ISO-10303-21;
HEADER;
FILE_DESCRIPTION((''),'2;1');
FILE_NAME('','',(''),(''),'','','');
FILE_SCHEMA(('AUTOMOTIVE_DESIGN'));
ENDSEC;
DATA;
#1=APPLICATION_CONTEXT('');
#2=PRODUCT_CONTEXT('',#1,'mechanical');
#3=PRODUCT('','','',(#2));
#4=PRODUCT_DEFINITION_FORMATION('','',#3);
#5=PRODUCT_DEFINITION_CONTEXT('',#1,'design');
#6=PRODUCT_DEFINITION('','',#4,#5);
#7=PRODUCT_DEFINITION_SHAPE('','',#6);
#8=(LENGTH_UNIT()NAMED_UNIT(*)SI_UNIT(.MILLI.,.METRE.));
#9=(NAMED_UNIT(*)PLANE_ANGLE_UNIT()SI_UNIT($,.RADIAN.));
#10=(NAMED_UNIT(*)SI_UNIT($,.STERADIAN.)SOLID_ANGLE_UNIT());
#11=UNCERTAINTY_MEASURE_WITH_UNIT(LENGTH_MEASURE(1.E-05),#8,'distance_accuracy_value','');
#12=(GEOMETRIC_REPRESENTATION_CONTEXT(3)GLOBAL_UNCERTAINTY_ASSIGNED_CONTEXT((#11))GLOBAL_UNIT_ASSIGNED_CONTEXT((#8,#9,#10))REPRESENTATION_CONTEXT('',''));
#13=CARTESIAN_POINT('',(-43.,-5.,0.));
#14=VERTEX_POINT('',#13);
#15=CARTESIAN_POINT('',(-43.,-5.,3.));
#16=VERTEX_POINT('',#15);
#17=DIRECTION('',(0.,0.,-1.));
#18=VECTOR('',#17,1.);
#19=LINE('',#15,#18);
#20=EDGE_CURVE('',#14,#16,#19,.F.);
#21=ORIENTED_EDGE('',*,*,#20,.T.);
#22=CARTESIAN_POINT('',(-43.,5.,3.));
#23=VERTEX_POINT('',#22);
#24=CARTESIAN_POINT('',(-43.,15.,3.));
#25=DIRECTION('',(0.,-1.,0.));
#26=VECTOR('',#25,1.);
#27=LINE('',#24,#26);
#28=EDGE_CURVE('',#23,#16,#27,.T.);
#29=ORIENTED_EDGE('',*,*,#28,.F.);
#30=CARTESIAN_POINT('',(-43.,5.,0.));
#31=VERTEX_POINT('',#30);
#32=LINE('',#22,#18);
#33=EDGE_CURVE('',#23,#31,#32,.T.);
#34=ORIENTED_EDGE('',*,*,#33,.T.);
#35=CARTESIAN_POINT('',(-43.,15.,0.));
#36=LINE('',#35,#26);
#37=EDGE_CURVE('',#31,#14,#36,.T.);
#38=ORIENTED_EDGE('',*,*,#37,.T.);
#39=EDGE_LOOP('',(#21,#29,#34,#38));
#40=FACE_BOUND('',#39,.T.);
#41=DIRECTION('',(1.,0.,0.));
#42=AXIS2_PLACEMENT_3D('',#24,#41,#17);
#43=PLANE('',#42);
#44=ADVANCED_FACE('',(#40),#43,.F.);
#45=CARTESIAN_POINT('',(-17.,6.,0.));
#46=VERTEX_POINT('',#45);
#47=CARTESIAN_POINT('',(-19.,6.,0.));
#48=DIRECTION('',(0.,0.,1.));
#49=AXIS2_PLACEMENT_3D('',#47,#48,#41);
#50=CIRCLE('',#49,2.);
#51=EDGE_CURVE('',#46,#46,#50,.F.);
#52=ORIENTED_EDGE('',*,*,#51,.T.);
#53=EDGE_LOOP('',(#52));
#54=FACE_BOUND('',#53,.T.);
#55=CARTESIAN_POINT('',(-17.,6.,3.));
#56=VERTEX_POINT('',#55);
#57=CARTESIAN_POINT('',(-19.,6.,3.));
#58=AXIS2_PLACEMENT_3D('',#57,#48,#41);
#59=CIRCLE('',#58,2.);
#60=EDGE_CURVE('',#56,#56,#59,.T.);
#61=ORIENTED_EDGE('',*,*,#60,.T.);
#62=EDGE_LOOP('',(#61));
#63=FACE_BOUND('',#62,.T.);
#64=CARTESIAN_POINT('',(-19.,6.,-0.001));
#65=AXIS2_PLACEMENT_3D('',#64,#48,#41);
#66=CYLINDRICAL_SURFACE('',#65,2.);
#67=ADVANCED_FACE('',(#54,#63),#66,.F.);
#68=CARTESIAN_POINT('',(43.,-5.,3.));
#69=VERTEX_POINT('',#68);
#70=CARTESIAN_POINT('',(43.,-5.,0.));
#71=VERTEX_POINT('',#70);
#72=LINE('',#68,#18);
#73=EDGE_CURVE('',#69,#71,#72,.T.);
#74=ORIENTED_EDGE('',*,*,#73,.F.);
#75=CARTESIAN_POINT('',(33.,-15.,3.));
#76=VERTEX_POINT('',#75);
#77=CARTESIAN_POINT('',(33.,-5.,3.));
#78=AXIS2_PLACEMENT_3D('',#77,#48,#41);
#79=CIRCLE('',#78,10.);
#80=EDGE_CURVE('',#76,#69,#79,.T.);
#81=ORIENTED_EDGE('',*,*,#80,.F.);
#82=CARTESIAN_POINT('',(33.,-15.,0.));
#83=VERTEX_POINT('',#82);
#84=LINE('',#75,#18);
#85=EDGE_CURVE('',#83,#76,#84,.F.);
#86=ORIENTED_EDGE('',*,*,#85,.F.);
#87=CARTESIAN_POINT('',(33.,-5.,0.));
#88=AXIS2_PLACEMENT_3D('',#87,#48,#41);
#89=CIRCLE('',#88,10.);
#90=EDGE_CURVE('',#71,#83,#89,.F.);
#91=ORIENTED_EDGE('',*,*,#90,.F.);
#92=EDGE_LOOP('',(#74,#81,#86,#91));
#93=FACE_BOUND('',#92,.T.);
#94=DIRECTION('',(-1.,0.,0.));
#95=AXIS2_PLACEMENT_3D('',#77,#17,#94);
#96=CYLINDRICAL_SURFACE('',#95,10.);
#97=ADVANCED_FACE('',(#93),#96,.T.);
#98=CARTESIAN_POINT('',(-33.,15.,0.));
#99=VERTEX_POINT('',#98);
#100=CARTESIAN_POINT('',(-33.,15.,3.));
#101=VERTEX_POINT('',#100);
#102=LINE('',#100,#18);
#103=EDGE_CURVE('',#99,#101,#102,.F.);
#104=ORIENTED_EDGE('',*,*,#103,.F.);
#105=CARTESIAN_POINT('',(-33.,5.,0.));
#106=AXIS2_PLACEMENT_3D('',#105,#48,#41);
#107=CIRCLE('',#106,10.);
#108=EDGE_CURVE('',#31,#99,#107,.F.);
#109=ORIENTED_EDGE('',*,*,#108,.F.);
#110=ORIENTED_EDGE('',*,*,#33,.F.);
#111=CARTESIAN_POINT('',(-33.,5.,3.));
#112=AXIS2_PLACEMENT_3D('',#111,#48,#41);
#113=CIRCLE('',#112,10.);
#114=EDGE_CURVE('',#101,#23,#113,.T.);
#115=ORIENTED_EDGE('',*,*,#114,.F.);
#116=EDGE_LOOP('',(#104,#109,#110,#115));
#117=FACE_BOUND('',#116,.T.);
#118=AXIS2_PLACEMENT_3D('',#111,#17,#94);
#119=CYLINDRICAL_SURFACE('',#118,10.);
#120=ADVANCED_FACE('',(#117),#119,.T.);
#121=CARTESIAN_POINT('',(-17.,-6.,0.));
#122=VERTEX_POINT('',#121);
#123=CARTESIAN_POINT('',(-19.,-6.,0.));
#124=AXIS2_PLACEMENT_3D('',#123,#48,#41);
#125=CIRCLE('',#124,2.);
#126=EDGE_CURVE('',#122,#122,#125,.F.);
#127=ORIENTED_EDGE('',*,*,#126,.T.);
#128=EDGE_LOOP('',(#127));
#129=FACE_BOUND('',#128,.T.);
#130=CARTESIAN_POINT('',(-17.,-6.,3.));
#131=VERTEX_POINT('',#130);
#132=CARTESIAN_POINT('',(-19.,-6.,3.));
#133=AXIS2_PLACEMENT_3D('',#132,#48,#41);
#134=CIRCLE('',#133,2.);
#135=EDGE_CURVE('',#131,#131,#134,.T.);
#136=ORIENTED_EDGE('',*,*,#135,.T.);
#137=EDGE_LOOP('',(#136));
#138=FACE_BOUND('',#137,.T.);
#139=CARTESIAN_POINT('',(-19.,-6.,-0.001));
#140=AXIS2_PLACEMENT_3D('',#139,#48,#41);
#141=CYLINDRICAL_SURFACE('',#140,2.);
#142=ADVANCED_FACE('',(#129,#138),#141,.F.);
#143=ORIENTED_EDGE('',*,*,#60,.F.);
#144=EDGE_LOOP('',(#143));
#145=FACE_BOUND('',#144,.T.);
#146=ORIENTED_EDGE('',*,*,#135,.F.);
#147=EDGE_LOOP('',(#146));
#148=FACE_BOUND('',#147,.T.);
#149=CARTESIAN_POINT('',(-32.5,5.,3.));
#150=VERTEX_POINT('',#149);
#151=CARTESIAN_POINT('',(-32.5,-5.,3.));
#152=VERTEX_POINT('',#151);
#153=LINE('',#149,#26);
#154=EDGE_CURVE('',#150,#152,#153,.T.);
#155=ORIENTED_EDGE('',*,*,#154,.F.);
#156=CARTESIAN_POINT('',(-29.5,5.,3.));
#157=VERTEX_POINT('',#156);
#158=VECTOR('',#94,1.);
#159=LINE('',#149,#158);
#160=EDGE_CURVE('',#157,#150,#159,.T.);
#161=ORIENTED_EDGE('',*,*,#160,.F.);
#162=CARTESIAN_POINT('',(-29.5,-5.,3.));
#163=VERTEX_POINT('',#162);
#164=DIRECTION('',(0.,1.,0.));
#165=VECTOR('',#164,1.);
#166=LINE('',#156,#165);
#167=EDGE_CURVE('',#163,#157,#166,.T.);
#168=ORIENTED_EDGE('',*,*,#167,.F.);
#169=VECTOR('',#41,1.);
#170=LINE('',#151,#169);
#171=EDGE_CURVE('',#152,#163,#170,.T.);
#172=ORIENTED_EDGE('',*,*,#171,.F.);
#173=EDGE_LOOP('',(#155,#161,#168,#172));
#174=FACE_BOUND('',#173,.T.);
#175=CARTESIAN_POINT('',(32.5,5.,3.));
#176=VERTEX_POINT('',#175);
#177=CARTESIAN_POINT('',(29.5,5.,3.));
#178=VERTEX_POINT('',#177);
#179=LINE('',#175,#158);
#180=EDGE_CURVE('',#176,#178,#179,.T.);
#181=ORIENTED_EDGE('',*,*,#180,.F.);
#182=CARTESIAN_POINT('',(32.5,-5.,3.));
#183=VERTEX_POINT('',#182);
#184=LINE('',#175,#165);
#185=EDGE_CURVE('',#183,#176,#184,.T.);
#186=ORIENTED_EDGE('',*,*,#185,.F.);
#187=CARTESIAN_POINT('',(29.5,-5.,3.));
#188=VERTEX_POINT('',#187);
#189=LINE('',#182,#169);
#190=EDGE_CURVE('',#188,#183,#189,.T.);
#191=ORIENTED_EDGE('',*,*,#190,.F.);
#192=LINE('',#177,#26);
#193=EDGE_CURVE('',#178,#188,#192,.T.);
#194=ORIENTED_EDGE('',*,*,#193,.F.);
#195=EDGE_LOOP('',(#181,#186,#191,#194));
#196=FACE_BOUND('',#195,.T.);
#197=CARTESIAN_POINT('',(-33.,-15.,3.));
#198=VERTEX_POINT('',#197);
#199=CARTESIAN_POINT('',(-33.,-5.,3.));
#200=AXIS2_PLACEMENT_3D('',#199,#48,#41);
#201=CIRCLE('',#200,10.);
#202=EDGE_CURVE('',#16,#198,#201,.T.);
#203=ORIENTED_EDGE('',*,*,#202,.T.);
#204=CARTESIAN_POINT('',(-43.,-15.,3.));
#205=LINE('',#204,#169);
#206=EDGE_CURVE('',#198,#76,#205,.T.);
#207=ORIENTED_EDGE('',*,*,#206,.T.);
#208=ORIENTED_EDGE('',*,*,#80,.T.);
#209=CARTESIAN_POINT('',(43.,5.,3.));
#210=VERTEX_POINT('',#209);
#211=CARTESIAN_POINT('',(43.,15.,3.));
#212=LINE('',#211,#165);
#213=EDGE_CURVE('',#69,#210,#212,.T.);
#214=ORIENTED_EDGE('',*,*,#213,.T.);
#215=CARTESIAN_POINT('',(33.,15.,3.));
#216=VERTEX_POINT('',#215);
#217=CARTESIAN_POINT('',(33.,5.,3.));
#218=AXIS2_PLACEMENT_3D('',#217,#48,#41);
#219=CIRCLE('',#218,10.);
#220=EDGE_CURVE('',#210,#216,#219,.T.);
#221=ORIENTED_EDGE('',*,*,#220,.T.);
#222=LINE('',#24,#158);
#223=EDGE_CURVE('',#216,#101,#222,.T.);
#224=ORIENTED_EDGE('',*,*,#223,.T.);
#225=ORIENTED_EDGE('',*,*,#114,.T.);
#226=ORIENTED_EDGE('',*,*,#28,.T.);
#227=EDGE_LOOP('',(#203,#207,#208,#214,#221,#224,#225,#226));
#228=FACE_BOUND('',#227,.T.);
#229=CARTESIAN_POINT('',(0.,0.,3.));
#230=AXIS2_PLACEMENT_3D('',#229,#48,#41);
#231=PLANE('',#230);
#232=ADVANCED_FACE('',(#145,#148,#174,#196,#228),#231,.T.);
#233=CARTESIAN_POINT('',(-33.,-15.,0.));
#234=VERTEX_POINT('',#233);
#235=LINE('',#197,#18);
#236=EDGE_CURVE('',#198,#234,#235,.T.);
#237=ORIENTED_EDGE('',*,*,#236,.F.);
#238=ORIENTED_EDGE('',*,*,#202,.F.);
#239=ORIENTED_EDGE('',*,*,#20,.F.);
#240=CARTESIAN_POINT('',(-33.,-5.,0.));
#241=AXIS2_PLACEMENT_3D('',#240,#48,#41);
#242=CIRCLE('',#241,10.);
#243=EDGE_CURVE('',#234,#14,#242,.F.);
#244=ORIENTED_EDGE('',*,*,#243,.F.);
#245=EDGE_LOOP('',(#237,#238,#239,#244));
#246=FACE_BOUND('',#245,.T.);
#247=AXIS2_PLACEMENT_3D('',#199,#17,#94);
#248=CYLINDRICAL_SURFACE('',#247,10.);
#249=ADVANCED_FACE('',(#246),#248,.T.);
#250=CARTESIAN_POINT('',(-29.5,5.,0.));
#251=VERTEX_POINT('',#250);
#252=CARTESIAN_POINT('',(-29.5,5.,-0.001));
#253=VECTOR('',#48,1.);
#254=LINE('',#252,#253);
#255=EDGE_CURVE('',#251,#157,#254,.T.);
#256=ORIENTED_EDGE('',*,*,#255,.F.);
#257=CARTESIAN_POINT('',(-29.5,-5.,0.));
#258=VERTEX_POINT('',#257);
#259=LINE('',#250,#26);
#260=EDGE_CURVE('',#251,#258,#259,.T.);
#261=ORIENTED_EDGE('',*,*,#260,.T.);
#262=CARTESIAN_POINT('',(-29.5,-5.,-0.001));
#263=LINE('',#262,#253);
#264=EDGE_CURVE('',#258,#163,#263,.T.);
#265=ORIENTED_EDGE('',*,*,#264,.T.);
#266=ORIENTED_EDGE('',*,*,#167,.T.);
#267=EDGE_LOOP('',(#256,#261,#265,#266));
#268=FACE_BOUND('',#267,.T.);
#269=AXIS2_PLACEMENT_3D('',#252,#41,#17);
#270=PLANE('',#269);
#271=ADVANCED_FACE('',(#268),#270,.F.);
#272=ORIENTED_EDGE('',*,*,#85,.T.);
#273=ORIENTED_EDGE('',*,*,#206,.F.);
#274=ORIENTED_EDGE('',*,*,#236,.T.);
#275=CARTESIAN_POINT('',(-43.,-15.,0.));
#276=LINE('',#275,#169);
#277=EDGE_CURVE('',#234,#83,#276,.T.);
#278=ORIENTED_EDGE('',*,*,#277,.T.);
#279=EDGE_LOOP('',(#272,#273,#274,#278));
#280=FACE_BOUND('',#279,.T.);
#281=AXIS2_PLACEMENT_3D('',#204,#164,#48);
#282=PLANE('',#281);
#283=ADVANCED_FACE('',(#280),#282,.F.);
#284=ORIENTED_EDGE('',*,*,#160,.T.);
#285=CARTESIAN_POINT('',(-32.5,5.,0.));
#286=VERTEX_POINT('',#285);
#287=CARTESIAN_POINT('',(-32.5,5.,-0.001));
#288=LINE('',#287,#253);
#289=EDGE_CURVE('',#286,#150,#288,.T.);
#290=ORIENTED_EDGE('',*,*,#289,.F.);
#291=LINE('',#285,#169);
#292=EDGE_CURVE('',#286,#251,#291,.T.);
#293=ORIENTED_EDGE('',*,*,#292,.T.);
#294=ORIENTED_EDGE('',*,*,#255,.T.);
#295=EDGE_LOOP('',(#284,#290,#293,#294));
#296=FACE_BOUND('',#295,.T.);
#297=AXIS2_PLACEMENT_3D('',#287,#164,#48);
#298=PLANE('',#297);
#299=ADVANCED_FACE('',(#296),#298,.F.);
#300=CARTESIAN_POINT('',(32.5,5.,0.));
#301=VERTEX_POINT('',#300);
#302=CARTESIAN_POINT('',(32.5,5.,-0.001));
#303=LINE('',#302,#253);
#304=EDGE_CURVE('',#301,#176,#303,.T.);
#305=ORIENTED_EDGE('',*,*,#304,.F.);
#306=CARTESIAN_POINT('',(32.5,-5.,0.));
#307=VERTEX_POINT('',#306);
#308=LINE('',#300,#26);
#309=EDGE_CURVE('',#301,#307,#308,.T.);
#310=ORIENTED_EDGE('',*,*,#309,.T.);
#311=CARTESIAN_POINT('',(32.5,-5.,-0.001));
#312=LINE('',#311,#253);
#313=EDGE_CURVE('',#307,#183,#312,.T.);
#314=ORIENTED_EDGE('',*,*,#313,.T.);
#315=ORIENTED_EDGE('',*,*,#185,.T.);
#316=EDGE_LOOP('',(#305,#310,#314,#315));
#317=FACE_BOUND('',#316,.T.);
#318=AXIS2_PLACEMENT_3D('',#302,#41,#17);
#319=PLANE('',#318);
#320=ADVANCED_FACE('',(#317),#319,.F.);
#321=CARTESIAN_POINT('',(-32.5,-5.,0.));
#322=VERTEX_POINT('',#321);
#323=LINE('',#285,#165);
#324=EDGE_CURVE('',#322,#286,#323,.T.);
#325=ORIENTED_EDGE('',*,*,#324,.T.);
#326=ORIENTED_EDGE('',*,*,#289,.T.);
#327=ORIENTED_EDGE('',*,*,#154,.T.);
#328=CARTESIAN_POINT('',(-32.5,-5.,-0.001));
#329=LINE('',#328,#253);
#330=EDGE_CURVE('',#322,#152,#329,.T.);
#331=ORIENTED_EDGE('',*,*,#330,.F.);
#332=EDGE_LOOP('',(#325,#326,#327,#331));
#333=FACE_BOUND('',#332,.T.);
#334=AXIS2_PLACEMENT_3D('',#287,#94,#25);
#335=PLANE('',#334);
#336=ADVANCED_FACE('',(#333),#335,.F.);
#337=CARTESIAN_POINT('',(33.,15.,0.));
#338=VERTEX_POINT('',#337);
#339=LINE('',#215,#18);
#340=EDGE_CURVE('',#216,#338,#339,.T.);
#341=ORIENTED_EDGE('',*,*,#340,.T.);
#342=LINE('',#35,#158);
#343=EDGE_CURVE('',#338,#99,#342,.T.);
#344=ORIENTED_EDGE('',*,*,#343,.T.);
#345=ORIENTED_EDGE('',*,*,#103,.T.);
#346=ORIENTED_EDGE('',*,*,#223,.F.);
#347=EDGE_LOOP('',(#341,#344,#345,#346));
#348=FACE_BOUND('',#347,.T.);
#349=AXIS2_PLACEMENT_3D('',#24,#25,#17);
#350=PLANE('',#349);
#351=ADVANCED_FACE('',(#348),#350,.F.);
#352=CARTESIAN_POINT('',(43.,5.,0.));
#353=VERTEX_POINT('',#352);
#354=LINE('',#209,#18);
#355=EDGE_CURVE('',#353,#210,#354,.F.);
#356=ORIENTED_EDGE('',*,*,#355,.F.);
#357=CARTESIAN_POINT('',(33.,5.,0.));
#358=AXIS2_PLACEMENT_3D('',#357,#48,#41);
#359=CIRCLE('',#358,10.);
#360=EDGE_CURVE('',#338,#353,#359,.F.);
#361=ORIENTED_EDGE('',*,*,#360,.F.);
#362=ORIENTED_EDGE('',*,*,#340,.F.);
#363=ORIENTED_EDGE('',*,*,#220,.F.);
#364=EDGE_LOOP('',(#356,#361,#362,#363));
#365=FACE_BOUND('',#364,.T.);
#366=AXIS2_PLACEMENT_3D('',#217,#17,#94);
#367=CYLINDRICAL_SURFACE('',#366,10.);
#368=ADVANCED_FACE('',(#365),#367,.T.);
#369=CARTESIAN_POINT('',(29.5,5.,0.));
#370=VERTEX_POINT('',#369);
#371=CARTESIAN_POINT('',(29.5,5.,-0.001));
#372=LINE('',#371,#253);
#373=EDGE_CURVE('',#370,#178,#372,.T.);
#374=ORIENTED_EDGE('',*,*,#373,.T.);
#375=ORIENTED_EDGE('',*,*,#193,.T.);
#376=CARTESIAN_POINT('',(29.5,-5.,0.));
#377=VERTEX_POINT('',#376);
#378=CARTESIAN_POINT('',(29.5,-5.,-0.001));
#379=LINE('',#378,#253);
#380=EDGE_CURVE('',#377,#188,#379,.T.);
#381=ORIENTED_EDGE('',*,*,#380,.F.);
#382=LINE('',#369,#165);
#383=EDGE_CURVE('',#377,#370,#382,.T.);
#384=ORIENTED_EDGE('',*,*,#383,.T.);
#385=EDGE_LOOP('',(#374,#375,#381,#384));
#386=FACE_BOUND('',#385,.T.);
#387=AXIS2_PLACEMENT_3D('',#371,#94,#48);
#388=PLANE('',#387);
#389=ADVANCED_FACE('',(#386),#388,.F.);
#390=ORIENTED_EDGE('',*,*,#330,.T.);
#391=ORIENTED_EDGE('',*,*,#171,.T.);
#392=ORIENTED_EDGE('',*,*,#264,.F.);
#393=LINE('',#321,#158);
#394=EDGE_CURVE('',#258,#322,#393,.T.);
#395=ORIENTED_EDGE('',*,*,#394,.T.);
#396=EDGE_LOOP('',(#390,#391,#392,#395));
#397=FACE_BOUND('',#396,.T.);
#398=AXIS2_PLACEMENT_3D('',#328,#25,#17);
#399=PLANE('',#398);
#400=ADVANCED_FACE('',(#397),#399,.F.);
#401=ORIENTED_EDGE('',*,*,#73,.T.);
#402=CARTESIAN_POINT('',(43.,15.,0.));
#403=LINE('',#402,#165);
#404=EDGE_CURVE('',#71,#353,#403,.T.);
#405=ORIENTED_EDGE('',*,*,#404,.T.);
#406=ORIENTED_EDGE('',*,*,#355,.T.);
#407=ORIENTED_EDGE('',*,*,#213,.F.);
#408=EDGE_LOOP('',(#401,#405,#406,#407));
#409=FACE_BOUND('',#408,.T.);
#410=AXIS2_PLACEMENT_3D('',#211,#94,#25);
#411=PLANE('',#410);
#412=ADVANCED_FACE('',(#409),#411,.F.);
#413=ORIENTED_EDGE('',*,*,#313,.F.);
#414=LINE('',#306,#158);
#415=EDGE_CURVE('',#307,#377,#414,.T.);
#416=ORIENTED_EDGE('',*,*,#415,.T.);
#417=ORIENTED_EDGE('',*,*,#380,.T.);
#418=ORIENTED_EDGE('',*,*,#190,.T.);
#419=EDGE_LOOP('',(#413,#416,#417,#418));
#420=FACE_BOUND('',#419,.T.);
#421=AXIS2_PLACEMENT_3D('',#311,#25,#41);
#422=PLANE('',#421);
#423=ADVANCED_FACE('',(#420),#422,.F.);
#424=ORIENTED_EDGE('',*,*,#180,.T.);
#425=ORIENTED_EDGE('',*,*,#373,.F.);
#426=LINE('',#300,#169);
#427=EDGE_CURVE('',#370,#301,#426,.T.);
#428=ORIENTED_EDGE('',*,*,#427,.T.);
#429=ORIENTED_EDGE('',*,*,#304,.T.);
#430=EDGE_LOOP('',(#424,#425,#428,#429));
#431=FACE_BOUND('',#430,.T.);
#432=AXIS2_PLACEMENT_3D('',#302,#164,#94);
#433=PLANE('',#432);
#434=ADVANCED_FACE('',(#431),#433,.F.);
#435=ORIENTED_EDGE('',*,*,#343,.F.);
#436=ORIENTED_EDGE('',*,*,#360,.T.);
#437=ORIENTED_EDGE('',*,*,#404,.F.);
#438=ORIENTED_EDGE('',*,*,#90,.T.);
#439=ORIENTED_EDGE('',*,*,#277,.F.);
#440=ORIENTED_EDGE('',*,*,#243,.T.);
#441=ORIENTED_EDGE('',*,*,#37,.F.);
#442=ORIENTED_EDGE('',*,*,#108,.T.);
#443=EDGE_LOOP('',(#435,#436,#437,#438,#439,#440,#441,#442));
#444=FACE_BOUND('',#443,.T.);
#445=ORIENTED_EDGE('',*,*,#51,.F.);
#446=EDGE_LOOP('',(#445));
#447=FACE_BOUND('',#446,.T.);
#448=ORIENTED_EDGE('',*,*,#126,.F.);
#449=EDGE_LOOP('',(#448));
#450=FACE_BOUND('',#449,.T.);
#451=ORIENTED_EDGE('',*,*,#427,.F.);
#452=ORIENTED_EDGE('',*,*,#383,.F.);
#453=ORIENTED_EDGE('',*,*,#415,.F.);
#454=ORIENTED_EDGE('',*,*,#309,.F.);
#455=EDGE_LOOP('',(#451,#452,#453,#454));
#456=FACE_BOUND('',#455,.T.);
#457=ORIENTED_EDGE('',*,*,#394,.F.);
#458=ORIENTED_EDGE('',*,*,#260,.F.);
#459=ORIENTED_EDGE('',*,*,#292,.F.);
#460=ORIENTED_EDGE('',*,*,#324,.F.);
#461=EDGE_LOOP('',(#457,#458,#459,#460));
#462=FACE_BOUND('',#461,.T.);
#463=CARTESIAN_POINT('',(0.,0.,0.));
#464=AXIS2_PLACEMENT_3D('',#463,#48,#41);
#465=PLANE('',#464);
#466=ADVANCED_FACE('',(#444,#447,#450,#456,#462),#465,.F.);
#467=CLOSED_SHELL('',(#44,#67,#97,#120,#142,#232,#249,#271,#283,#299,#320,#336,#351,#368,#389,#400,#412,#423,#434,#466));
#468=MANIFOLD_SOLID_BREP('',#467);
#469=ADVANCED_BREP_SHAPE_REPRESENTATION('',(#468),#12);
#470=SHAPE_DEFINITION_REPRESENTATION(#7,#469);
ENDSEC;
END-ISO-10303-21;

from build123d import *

# Parameters (mm, degrees)
CROQUIS1_W              = 86
CROQUIS1_H              = 30
SALIENTE_EXTRUIR1_DEPTH = 3
CORTAR_EXTRUIR1_REACH   = 5
CROQUIS2_R              = 2
CROQUIS2_W              = 3
CROQUIS2_H              = 10
REDONDEO1_R             = 10


with BuildPart() as part:
    # Croquis1 → Saliente-Extruir1 (new body)
    with BuildSketch(Plane.XY):
        Rectangle(CROQUIS1_W, CROQUIS1_H)
    extrude(amount=SALIENTE_EXTRUIR1_DEPTH)

    # Croquis2 → Cortar-Extruir1 (cut, up to next)
    with BuildSketch(Plane.XY.offset(3), mode=Mode.PRIVATE) as cortar_extruir1_sk1:
        with Locations((-19, 6)):
            Circle(CROQUIS2_R)
    cortar_extruir1_tool1 = extrude(cortar_extruir1_sk1.sketch, amount=-CORTAR_EXTRUIR1_REACH, mode=Mode.PRIVATE) & part.part
    add(cortar_extruir1_tool1.solids().sort_by_distance((-19, 6, 3))[0], mode=Mode.SUBTRACT)
    # Croquis2 → Cortar-Extruir1 (cut, up to next)
    with BuildSketch(Plane.XY.offset(3), mode=Mode.PRIVATE) as cortar_extruir1_sk2:
        with Locations((-19, -6)):
            Circle(CROQUIS2_R)
    cortar_extruir1_tool2 = extrude(cortar_extruir1_sk2.sketch, amount=-CORTAR_EXTRUIR1_REACH, mode=Mode.PRIVATE) & part.part
    add(cortar_extruir1_tool2.solids().sort_by_distance((-19, -6, 3))[0], mode=Mode.SUBTRACT)
    # Croquis2 → Cortar-Extruir1 (cut, up to next)
    with BuildSketch(Plane.XY.offset(3), mode=Mode.PRIVATE) as cortar_extruir1_sk3:
        with Locations((-31, 0)):
            Rectangle(CROQUIS2_W, CROQUIS2_H)
    cortar_extruir1_tool3 = extrude(cortar_extruir1_sk3.sketch, amount=-CORTAR_EXTRUIR1_REACH, mode=Mode.PRIVATE) & part.part
    add(cortar_extruir1_tool3.solids().sort_by_distance((-31, 0, 3))[0], mode=Mode.SUBTRACT)
    # Croquis2 → Cortar-Extruir1 (cut, up to next)
    with BuildSketch(Plane.XY.offset(3), mode=Mode.PRIVATE) as cortar_extruir1_sk4:
        with Locations((31, 0)):
            Rectangle(CROQUIS2_W, CROQUIS2_H)
    cortar_extruir1_tool4 = extrude(cortar_extruir1_sk4.sketch, amount=-CORTAR_EXTRUIR1_REACH, mode=Mode.PRIVATE) & part.part
    add(cortar_extruir1_tool4.solids().sort_by_distance((31, 0, 3))[0], mode=Mode.SUBTRACT)

    # Redondeo1
    redondeo1_edges = [part.edges().sort_by_distance(p)[0] for p in [
        (43, -15, 1.5),
        (-43, -15, 1.5),
        (-43, 15, 1.5),
        (43, 15, 1.5),
    ]]
    fillet(redondeo1_edges, radius=REDONDEO1_R)


solid = part.part
